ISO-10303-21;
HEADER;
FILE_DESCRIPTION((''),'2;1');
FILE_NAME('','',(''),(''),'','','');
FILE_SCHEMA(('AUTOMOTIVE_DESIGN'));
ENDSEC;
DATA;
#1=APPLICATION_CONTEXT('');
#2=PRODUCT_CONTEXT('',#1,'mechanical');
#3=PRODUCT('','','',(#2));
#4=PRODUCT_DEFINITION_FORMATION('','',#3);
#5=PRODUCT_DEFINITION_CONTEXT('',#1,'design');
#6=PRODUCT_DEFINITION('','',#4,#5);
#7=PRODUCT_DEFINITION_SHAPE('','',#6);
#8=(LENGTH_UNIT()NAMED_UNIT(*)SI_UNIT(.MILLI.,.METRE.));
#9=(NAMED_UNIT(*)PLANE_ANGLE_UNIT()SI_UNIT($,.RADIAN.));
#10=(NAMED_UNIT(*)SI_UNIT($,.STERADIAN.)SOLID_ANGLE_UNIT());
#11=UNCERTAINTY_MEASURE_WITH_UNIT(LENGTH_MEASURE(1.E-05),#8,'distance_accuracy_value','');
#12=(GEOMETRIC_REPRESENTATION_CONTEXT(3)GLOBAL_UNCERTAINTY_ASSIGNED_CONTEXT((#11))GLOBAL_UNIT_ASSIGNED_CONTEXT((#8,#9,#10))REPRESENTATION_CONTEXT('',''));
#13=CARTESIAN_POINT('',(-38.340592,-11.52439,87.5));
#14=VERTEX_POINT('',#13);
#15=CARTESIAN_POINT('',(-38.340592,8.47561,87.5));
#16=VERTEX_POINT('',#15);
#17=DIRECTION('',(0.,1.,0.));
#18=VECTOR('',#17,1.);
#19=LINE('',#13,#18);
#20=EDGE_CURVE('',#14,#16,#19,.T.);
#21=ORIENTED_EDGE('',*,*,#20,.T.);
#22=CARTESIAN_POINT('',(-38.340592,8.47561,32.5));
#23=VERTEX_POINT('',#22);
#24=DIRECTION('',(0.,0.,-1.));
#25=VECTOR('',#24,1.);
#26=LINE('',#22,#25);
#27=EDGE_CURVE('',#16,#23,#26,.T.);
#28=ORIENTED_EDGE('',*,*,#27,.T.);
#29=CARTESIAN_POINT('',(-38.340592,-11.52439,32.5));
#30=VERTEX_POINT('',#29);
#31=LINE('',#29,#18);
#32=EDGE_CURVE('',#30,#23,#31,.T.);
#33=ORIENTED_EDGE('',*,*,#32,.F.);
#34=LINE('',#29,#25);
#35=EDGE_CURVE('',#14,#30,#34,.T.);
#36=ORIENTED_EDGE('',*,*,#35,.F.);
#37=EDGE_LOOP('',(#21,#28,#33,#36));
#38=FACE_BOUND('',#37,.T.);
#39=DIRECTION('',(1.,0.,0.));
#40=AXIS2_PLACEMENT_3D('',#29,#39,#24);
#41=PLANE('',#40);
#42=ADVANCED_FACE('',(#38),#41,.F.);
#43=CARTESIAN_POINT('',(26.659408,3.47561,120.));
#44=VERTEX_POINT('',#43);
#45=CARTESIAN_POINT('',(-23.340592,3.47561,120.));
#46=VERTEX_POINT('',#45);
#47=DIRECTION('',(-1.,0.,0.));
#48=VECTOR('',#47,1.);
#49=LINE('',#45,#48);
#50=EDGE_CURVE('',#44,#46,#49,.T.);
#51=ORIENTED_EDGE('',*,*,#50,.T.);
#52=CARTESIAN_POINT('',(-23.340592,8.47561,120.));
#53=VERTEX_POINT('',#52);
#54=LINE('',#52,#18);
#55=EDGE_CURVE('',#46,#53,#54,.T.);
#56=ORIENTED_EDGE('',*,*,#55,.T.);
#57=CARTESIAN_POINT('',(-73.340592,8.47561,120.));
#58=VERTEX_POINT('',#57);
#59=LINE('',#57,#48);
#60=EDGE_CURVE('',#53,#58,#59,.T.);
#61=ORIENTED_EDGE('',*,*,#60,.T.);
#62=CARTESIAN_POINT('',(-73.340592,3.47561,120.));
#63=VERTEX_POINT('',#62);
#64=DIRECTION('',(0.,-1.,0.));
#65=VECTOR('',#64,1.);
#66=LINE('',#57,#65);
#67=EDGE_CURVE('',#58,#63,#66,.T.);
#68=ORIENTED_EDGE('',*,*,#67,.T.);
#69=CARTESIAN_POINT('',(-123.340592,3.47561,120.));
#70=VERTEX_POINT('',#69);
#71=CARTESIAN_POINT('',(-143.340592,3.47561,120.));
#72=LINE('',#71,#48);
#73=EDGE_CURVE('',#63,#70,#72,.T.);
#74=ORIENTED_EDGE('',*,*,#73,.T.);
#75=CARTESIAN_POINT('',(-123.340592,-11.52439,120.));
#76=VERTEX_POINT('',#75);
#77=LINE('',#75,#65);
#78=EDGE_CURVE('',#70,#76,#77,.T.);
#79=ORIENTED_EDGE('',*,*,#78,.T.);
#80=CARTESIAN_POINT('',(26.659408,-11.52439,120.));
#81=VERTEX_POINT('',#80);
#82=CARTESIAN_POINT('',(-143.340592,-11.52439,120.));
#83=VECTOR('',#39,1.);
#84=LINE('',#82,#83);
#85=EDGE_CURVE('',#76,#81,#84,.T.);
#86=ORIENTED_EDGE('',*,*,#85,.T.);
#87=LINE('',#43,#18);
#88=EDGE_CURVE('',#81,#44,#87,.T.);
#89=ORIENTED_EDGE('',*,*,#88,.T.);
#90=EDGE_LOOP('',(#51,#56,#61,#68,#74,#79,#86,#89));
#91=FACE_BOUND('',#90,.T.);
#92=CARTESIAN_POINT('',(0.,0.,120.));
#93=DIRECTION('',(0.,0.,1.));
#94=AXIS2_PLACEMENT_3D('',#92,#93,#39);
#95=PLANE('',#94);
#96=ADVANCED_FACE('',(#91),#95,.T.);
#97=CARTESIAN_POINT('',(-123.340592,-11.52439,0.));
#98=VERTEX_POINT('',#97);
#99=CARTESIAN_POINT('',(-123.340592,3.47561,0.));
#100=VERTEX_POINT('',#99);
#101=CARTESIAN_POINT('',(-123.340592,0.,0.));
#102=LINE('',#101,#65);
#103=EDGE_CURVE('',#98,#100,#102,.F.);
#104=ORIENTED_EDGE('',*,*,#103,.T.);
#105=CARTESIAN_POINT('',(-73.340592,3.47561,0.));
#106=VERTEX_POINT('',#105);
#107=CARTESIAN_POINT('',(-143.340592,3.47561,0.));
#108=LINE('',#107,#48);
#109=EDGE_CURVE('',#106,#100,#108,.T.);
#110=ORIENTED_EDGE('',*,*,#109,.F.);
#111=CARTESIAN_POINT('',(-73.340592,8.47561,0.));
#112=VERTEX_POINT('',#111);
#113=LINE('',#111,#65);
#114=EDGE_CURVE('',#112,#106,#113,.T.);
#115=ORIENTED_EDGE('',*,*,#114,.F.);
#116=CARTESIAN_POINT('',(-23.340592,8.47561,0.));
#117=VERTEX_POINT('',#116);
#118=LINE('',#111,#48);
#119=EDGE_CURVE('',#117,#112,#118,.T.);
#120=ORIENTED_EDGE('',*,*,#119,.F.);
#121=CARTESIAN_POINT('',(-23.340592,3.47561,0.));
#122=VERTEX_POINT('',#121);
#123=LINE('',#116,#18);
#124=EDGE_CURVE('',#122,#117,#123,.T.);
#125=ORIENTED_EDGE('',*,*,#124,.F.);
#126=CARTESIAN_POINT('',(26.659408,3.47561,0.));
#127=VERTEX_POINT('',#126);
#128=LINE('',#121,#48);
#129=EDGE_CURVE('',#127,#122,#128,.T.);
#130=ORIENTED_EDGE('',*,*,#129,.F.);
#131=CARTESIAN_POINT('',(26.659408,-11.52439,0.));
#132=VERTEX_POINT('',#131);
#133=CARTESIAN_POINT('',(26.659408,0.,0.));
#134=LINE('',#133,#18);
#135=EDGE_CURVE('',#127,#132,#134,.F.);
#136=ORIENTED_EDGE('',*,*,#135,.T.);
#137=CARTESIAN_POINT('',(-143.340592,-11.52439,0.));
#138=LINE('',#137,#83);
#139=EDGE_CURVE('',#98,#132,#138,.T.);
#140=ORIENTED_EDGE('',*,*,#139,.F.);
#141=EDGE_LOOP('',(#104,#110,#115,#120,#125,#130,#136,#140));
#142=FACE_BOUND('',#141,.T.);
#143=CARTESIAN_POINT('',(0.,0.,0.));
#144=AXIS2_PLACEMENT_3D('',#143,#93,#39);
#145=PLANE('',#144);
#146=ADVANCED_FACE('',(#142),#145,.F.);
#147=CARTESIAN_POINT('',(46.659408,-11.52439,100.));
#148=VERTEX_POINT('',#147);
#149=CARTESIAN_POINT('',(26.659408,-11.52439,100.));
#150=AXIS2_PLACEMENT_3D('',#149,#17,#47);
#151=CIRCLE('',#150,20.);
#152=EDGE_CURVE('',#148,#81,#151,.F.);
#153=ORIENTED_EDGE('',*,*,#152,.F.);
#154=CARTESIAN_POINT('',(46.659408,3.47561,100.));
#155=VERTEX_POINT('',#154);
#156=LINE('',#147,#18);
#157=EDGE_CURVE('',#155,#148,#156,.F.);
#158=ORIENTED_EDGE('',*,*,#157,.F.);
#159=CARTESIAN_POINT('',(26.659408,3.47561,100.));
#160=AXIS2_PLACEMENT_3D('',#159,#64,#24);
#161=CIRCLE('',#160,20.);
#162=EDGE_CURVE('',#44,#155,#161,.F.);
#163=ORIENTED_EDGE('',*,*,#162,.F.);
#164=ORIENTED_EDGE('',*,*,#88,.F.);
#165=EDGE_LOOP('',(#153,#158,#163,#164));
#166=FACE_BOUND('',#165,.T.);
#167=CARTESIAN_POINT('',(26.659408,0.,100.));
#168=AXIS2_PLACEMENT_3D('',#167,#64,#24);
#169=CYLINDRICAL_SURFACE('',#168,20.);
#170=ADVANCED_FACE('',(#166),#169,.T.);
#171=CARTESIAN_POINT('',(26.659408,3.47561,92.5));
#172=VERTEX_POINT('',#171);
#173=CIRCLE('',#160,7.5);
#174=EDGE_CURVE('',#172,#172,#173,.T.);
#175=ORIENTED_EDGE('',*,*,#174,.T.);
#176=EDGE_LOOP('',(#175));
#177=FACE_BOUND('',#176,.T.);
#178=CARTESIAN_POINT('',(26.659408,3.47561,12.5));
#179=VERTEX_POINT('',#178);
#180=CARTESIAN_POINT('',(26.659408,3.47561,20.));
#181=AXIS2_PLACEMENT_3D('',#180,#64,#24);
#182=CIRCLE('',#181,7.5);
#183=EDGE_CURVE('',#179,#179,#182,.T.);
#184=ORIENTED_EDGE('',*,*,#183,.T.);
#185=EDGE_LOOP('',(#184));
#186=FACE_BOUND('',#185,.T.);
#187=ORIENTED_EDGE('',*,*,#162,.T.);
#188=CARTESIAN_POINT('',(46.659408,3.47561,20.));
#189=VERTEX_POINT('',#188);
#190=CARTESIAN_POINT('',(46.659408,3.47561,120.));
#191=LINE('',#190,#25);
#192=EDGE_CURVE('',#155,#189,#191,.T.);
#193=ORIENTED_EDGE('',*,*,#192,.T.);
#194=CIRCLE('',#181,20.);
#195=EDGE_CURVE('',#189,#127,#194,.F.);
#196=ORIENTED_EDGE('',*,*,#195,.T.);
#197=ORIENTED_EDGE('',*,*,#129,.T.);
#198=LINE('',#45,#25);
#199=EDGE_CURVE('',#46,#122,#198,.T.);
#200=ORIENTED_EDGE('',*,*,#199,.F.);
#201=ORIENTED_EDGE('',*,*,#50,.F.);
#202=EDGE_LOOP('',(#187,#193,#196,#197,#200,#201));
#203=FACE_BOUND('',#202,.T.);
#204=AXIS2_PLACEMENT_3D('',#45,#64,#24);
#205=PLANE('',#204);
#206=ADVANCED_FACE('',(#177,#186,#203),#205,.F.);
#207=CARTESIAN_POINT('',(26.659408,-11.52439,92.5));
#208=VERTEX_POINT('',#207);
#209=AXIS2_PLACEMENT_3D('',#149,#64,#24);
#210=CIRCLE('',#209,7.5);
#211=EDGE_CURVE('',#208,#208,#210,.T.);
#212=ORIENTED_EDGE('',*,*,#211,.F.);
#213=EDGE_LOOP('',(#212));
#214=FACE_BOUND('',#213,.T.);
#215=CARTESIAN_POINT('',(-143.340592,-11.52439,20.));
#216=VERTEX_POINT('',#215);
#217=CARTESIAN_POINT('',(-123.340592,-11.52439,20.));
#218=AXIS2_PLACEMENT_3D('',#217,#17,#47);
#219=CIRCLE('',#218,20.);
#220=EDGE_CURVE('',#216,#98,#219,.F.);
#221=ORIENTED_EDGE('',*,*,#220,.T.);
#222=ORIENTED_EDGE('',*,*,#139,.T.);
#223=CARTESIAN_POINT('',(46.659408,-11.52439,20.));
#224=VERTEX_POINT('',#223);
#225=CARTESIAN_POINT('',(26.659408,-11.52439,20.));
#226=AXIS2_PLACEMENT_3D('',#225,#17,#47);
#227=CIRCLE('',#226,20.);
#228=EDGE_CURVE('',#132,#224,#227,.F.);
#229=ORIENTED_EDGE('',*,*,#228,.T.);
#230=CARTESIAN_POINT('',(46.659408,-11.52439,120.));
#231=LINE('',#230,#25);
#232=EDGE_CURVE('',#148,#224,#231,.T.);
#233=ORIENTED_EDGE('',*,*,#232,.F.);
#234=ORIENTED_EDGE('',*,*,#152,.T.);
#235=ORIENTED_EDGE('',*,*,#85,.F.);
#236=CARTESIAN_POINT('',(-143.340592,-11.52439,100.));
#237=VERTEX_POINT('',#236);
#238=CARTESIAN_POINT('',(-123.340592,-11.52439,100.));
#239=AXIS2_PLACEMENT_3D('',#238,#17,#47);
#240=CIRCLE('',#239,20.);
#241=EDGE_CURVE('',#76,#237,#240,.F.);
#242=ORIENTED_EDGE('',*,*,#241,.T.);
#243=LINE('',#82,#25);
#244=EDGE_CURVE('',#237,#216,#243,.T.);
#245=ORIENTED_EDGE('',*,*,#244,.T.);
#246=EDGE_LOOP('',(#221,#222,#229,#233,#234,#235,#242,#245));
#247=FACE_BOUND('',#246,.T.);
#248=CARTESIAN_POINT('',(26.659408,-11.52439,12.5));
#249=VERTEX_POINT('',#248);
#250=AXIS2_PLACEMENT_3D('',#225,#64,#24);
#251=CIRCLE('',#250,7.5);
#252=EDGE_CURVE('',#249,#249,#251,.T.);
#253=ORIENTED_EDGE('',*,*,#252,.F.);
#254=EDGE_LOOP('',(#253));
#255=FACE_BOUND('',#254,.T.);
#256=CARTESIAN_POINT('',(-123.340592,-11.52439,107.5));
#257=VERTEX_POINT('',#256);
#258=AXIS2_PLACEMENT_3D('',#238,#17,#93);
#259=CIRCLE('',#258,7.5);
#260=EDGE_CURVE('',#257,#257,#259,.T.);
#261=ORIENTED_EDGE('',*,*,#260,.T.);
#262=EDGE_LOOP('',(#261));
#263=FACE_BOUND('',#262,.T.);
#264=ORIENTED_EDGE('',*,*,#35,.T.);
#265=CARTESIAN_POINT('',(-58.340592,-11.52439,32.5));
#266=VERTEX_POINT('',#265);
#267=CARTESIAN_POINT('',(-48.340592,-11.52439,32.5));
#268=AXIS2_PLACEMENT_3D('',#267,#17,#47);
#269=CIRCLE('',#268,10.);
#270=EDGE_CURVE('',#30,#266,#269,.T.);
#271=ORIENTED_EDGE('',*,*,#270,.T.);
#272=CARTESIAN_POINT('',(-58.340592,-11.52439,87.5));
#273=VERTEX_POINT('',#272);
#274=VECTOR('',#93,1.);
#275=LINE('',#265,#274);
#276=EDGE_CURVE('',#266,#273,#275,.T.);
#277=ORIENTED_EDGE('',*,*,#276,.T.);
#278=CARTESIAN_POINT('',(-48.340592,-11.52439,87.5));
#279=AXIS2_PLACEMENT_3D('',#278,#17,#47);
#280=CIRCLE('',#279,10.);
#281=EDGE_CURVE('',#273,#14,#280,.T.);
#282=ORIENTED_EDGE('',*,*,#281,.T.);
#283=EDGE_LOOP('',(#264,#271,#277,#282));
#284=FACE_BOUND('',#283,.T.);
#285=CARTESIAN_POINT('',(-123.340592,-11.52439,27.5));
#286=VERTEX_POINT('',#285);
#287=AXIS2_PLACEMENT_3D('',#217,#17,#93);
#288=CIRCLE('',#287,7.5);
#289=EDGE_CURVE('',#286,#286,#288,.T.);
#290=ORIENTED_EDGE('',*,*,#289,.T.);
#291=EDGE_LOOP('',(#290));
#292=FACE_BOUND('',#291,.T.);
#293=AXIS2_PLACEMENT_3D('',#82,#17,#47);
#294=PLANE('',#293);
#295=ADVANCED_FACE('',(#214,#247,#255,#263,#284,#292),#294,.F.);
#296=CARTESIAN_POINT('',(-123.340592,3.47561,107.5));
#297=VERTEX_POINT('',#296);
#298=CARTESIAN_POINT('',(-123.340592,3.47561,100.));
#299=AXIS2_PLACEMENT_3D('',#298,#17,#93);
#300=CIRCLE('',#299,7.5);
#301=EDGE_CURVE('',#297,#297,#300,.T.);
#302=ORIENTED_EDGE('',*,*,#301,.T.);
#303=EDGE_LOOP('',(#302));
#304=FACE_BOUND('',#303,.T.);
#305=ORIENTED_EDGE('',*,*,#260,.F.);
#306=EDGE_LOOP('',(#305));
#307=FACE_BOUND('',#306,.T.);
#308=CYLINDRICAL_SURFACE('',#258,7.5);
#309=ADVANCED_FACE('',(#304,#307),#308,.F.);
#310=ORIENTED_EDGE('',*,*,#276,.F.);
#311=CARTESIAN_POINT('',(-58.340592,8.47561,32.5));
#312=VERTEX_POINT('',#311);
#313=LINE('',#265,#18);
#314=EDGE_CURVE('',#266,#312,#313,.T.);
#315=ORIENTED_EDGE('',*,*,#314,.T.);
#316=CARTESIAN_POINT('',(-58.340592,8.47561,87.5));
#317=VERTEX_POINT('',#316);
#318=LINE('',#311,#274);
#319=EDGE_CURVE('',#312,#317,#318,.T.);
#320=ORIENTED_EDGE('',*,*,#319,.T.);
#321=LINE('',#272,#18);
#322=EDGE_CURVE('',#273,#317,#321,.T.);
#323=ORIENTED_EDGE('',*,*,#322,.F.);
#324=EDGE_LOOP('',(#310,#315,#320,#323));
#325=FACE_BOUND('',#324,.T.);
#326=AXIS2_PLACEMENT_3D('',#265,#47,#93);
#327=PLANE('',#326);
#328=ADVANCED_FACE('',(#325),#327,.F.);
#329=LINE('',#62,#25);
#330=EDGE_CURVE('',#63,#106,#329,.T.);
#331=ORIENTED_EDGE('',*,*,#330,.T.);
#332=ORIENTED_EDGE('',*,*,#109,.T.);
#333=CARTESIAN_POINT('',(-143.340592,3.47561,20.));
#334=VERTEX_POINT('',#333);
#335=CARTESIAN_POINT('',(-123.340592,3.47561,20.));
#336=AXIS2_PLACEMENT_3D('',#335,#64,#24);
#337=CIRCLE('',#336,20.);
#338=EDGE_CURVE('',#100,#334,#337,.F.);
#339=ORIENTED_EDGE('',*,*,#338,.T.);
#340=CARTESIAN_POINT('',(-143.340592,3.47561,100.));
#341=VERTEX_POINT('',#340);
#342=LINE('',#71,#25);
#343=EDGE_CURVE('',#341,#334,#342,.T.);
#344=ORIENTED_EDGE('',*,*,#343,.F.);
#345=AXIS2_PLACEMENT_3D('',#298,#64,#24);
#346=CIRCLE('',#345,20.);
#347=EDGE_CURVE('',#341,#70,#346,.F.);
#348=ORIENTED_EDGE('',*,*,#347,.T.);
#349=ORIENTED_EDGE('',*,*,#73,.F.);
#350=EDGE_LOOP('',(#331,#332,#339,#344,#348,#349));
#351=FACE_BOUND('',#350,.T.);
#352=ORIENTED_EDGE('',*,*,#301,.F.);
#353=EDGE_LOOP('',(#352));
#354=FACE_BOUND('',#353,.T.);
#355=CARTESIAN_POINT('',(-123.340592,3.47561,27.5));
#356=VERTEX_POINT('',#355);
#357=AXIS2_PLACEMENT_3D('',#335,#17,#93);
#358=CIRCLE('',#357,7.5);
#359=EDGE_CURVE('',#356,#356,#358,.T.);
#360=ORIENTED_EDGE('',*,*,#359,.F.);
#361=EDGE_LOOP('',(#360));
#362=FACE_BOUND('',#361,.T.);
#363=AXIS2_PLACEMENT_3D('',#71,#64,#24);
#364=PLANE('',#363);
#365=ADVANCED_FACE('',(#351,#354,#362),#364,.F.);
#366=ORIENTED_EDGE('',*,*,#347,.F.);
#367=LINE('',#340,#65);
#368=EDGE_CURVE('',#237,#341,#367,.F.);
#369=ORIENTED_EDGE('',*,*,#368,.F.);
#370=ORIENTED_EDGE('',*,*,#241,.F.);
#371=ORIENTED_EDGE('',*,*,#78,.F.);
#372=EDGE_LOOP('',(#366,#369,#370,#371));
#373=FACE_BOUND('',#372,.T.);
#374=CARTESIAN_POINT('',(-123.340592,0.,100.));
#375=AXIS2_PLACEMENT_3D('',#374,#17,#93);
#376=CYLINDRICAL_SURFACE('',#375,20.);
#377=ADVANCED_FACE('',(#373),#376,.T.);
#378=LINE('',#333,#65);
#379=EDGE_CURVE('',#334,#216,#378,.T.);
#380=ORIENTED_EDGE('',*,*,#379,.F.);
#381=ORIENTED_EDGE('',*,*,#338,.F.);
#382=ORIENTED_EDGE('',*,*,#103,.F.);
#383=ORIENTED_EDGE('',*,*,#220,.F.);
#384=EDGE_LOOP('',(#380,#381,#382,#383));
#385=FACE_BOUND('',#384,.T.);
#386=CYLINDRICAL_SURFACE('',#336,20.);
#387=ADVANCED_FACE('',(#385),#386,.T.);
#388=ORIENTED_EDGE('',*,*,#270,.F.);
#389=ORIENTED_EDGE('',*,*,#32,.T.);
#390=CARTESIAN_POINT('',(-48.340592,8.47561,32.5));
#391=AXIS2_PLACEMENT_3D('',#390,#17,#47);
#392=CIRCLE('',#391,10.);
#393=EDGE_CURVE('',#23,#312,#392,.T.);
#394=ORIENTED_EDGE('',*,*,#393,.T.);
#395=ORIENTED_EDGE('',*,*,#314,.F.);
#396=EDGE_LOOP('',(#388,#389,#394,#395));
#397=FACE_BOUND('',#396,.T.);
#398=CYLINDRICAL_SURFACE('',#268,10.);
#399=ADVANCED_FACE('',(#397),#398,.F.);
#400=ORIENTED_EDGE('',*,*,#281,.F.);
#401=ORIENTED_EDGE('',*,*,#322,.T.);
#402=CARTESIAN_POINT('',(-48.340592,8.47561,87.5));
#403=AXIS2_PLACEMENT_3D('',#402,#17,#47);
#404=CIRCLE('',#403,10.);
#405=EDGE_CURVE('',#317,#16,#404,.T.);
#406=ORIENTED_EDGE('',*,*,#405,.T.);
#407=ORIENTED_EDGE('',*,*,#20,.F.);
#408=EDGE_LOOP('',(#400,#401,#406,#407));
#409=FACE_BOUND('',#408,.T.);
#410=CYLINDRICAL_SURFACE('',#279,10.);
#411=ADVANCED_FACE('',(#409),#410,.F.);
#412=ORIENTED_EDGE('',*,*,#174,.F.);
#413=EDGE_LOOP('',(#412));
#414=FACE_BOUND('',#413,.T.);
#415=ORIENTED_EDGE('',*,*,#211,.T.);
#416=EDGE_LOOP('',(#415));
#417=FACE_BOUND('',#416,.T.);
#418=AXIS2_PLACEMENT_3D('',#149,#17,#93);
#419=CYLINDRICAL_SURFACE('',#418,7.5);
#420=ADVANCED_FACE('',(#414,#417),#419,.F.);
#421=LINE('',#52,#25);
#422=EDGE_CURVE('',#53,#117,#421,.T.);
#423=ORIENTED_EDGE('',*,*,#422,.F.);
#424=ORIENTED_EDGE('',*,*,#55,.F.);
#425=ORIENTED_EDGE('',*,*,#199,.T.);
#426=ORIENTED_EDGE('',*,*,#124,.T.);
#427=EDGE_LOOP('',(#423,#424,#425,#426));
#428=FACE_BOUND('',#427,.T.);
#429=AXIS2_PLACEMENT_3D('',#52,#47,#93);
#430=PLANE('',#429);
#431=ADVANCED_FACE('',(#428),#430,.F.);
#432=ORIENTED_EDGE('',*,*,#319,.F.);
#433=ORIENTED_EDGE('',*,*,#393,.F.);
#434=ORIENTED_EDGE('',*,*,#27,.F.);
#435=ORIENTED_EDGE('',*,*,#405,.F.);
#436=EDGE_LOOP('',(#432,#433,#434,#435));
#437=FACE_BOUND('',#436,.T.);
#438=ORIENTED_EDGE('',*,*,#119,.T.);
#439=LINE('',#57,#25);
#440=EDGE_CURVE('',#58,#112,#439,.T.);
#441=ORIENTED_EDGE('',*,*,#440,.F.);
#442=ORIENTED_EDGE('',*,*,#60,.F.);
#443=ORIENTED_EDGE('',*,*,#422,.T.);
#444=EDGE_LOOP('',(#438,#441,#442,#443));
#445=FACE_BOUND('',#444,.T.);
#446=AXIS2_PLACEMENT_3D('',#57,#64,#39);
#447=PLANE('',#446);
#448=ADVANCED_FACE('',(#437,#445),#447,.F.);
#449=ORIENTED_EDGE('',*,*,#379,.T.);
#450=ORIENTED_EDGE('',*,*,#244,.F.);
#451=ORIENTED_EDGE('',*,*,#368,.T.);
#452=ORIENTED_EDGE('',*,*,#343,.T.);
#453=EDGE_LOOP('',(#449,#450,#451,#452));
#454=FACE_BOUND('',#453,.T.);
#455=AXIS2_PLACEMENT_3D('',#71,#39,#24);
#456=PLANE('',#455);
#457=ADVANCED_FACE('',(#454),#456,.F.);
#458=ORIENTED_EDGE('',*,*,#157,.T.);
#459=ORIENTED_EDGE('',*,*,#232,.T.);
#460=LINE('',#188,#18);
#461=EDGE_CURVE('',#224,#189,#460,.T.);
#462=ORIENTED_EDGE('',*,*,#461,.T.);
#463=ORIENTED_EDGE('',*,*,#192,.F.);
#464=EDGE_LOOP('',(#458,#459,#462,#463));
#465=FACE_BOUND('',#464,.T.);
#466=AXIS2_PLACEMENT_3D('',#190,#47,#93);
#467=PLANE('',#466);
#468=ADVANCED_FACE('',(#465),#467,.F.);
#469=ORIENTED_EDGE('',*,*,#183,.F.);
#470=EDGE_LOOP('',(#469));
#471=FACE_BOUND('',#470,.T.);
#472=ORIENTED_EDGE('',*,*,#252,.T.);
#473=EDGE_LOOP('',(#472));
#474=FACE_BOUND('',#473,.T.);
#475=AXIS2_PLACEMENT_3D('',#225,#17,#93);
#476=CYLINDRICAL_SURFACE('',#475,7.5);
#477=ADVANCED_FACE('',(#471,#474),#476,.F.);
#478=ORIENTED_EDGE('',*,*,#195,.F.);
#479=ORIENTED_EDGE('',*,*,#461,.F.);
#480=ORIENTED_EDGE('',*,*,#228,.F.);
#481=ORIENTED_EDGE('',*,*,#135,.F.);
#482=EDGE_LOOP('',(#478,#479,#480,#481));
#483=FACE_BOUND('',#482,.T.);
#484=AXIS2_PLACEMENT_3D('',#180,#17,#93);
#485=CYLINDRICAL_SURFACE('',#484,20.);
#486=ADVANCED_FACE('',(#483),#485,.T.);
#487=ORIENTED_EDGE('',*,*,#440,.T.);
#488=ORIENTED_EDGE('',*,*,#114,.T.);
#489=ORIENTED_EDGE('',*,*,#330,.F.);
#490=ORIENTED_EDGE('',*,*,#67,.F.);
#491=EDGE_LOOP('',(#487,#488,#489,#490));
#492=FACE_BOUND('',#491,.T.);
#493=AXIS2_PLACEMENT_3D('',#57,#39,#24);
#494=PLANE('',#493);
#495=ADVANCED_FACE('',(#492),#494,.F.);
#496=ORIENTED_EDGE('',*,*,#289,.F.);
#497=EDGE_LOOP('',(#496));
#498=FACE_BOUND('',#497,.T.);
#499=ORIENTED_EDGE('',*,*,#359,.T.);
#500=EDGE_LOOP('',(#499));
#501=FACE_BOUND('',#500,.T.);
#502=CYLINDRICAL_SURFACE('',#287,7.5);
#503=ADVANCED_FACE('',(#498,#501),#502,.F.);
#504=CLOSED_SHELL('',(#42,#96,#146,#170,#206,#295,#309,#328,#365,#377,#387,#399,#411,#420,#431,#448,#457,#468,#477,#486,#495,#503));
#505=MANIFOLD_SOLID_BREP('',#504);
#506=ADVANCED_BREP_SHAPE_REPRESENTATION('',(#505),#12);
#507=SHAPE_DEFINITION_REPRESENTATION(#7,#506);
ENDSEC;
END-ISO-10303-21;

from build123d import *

# Parameters (mm, degrees)
Y_KSEKLIK_EKSTR_ZYON1_DEPTH = 120
RADYUS1_R                   = 20
KES_EKSTR_ZYON1_DEPTH       = 189.006716398
IZIM3_R                     = 7.5
KES_EKSTR_ZYON2_DEPTH       = 188.540730005


with BuildPart() as part:
    # Çizim1 → Yükseklik-Ekstrüzyon1 (new body)
    with BuildSketch(Plane.XY):
        Polygon((-23.340592334, 3.475609756), (46.659407666, 3.475609756), (46.659407666, -11.524390244), (-143.340592334, -11.524390244), (-143.340592334, 3.475609756), (-73.340592334, 3.475609756), (-73.340592334, 8.475609756), (-23.340592334, 8.475609756), align=None)
    extrude(amount=Y_KSEKLIK_EKSTR_ZYON1_DEPTH)

    # Radyus1
    radyus1_edges = [part.edges().sort_by_distance(p)[0] for p in [
        (46.659407666, -4.024390244, 0),
        (-143.340592334, -4.024390244, 0),
        (46.659407666, -4.024390244, 120),
        (-143.340592334, -4.024390244, 120),
    ]]
    fillet(radyus1_edges, radius=RADYUS1_R)

    # Çizim2 → Kes-Ekstrüzyon1 (cut, through all)
    with BuildSketch(Plane(origin=(0, 8.475609756, 0), x_dir=(1, 0, 0), z_dir=(0, 1, 0))):
        with BuildLine():
            Line((-38.340592334, -32.5), (-38.340592334, -87.5))
            ThreePointArc((-38.340592334, -87.5), (-48.340592334, -97.5), (-58.340592334, -87.5))
            Line((-58.340592334, -87.5), (-58.340592334, -32.5))
            ThreePointArc((-58.340592334, -32.5), (-48.340592334, -22.5), (-38.340592334, -32.5))
        make_face()
    extrude(amount=-KES_EKSTR_ZYON1_DEPTH, mode=Mode.SUBTRACT)

    # Çizim3 → Kes-Ekstrüzyon2 (cut, through all)
    with BuildSketch(Plane(origin=(0, 3.475609756, 0), x_dir=(1, 0, 0), z_dir=(0, 1, 0))):
        with Locations(Location((-123.340592334, -20, 0), (0, 0, 270))):
            Circle(IZIM3_R)
        with Locations(Location((-123.340592334, -100, 0), (0, 0, 270))):
            Circle(IZIM3_R)
        with Locations(Location((26.659407666, -100, 0), (0, 0, 90))):
            Circle(IZIM3_R)
        with Locations(Location((26.659407666, -20, 0), (0, 0, 90))):
            Circle(IZIM3_R)
    extrude(amount=-KES_EKSTR_ZYON2_DEPTH, mode=Mode.SUBTRACT)


solid = part.part
